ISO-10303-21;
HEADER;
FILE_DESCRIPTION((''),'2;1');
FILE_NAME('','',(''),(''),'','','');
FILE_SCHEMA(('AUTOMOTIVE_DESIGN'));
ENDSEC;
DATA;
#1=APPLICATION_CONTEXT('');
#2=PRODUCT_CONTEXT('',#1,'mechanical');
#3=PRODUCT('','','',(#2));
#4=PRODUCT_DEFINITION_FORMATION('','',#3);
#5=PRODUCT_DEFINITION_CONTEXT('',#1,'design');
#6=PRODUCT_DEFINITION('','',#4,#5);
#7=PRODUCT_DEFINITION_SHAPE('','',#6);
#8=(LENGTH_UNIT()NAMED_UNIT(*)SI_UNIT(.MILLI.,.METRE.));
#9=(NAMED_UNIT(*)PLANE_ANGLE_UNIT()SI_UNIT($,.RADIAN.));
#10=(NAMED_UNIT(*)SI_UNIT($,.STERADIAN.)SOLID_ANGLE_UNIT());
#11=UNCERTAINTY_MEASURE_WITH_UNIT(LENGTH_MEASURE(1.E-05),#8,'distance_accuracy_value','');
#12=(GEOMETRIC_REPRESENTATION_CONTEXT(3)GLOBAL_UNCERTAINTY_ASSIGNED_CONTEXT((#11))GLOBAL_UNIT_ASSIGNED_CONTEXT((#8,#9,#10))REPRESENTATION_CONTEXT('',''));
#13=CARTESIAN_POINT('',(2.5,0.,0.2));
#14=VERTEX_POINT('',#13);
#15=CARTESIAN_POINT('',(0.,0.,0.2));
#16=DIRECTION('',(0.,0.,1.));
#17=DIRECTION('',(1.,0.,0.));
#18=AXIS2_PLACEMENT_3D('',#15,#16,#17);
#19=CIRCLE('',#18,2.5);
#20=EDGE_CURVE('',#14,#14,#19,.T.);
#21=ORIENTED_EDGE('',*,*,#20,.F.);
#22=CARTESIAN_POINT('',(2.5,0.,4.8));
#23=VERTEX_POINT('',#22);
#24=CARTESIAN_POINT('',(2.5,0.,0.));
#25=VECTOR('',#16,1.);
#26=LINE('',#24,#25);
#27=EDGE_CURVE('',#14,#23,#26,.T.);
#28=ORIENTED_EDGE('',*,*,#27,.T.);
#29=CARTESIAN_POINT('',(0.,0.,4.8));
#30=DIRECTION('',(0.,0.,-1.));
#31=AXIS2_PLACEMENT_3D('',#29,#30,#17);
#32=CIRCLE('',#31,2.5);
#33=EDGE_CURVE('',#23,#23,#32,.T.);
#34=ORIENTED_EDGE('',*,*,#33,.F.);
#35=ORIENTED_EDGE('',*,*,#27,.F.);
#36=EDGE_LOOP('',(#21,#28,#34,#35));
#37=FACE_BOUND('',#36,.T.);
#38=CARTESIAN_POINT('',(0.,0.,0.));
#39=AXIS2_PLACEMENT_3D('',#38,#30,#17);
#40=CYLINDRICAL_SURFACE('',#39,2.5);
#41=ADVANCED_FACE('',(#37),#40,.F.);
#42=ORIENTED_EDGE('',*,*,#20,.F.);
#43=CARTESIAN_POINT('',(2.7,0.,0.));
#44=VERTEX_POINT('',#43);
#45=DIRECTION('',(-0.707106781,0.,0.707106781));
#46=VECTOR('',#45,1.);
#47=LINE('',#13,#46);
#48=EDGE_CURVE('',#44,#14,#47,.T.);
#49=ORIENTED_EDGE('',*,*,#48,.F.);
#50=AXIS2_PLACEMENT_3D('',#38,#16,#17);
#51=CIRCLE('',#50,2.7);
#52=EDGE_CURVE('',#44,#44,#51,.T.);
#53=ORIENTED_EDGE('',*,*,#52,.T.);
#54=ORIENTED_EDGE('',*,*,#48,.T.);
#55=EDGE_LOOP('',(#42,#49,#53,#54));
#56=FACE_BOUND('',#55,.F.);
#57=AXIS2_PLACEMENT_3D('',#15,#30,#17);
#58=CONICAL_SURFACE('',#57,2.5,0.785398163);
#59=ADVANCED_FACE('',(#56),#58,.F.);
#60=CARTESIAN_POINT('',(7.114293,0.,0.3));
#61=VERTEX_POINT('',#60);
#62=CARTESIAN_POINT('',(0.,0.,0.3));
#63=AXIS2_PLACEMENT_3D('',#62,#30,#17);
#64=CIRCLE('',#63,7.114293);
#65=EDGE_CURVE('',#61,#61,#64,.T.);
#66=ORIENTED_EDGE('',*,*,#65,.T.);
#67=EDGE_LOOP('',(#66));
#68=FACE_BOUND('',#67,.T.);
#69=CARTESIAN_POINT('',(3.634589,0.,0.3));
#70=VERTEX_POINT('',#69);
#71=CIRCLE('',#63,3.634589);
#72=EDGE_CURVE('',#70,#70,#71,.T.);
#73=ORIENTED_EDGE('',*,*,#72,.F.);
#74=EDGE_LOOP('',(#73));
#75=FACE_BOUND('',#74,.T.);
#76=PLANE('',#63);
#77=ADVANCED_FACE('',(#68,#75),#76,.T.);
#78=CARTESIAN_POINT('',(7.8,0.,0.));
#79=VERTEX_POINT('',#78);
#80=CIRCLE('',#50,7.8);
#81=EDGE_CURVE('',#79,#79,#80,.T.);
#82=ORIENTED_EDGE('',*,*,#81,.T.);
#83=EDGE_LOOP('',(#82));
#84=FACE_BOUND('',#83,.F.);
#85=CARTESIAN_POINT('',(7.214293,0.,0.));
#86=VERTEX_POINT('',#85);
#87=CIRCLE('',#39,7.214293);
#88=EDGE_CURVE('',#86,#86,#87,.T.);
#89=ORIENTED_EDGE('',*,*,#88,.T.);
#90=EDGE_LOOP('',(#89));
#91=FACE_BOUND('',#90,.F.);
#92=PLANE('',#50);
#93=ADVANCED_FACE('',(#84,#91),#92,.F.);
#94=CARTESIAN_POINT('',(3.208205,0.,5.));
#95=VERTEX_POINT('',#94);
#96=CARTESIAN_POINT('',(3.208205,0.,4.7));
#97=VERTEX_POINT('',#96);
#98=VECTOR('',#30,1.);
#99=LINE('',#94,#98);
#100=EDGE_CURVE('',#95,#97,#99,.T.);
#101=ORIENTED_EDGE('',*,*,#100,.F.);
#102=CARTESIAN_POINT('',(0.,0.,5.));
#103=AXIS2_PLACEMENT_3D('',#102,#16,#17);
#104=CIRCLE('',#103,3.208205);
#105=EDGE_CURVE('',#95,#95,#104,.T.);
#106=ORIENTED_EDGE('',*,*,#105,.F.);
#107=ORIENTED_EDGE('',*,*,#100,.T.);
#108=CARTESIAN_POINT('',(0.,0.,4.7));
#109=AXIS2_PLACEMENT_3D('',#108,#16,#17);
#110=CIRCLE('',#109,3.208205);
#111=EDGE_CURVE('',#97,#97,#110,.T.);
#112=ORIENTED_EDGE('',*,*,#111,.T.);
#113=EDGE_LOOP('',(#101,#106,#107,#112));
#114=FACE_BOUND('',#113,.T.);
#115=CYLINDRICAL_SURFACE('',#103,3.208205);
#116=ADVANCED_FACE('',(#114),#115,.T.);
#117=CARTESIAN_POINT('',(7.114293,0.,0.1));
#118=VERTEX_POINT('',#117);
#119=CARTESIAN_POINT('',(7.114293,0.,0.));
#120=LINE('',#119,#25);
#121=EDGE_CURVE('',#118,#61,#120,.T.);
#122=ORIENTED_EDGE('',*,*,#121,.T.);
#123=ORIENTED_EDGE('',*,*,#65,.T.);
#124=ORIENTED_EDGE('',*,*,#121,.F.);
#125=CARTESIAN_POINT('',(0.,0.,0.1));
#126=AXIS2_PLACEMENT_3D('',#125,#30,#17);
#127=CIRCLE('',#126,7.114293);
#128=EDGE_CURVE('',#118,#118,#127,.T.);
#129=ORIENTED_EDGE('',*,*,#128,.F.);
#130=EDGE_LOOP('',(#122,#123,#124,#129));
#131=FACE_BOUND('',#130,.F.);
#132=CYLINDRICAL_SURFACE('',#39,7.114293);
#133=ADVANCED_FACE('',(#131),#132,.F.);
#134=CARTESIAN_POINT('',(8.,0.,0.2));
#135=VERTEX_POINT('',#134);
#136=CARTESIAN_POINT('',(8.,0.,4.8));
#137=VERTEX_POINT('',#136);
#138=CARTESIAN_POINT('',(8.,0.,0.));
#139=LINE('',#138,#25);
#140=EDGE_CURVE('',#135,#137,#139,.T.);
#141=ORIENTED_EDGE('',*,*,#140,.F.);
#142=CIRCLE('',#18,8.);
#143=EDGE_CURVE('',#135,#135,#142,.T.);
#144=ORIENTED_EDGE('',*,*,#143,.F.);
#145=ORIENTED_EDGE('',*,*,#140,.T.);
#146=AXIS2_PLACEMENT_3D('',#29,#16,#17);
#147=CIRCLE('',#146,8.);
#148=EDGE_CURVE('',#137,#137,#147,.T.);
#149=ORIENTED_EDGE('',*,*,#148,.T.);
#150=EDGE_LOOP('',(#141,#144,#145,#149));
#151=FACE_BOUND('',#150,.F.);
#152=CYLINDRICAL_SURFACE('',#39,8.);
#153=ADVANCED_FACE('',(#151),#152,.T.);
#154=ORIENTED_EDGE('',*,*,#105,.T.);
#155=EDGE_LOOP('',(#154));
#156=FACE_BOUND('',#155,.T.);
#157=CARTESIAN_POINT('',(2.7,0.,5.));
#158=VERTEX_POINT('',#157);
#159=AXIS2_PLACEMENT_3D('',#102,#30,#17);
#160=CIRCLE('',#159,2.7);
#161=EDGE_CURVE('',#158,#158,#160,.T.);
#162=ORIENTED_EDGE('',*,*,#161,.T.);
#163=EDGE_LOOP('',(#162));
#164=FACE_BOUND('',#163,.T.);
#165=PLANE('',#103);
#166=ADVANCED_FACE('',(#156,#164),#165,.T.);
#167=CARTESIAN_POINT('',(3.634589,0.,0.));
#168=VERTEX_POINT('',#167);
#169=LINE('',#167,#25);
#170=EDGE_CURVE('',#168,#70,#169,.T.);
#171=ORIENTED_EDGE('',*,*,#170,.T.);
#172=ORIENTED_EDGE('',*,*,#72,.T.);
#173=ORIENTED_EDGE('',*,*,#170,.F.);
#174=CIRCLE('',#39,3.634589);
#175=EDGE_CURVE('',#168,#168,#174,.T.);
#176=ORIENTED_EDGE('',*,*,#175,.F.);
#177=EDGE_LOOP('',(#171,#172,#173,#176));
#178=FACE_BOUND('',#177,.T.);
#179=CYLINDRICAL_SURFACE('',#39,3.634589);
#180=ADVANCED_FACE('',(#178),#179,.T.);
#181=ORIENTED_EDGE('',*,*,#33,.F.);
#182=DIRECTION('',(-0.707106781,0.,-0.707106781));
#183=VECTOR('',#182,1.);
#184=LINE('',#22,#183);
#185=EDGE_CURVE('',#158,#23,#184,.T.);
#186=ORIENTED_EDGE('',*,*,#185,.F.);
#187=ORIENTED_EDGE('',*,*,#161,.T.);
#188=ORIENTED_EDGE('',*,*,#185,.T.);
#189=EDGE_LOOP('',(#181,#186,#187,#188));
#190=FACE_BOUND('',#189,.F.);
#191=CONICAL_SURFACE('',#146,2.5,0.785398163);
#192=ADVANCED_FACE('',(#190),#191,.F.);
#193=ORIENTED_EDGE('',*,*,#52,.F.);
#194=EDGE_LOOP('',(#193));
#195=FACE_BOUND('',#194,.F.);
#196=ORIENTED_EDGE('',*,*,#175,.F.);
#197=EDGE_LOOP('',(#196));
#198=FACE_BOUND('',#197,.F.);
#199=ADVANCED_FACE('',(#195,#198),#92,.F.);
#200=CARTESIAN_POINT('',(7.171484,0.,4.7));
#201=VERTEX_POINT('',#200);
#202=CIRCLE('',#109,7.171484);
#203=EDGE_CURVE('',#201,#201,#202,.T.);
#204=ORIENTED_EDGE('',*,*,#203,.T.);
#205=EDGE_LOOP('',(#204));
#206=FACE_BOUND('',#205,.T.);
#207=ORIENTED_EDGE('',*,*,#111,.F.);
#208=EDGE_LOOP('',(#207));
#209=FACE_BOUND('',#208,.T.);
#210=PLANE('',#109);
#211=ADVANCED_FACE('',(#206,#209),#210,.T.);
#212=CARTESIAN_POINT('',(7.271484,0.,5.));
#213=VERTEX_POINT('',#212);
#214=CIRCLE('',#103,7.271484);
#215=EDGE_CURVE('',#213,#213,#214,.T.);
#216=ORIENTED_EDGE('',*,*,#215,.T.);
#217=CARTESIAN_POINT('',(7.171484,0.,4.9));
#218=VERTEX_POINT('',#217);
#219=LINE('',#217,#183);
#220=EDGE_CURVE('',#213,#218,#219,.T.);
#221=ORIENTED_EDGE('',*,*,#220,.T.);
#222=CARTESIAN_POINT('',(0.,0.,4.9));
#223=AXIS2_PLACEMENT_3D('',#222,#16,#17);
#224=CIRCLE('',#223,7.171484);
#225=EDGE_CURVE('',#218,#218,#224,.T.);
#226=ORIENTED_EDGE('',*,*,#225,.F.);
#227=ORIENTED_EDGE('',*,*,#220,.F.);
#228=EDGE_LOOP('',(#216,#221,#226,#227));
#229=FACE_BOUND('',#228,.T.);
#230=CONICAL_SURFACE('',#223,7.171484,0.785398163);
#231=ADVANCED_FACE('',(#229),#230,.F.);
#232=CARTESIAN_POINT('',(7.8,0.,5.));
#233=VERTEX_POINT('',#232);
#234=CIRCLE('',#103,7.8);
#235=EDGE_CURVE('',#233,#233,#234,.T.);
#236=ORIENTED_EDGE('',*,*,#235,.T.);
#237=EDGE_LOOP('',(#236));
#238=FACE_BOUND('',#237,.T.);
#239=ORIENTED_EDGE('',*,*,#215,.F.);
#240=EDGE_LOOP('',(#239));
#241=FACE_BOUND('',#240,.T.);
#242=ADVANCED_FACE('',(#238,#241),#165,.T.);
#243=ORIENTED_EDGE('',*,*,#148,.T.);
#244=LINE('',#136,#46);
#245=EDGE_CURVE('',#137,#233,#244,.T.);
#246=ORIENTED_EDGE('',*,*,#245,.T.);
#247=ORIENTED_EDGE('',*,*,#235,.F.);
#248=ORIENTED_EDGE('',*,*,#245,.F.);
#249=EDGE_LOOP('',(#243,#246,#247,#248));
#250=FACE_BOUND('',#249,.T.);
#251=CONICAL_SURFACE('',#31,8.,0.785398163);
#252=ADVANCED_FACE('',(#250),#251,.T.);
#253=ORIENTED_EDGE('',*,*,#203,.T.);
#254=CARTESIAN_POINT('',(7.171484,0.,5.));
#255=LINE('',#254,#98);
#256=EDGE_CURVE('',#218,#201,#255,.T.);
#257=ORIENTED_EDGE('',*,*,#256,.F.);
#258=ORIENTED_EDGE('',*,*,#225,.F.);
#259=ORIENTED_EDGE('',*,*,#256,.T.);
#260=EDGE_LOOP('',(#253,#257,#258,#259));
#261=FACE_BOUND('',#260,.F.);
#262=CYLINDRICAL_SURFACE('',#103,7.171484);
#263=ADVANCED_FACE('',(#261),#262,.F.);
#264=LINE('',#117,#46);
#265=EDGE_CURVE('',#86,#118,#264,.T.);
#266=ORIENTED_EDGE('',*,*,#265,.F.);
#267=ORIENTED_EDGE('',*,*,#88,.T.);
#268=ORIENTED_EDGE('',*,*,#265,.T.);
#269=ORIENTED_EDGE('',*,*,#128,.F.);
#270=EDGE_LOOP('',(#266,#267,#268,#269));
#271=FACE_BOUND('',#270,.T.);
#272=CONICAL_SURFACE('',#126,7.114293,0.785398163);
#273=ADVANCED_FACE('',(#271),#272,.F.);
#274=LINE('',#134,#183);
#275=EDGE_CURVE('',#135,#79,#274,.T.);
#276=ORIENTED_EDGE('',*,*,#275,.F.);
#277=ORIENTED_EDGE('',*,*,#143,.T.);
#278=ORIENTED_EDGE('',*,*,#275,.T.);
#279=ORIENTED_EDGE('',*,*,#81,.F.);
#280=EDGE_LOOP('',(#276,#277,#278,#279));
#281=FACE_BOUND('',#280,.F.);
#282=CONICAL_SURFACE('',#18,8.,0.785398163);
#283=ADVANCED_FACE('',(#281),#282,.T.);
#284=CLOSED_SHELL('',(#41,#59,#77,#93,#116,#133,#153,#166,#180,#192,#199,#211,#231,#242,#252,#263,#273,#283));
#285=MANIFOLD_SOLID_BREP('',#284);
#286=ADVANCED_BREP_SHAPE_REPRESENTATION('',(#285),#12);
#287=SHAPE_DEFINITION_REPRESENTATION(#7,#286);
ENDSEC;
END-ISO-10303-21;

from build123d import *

# Parameters (mm, degrees)
CYLINDER_R        = 8
CYLINDER_DEPTH    = 5
CYLINDER001_R     = 2.5
CYLINDER001_DEPTH = 10
CHAMFER_SIZE      = 0.2
SKETCH_R          = 7.171484
SKETCH_R_2        = 3.208205
POCKET_DEPTH      = 0.3
SKETCH001_R       = 7.114293
SKETCH001_R_2     = 3.634589
POCKET001_DEPTH   = 0.3
CHAMFER001_SIZE   = 0.1


with BuildPart() as part:
    # Cylinder → Cylinder (join)
    with BuildSketch(Plane.XY):
        Circle(CYLINDER_R)
    extrude(amount=CYLINDER_DEPTH)

    # Cylinder001 → Cylinder001 (cut)
    with BuildSketch(Plane.XY):
        Circle(CYLINDER001_R)
    extrude(amount=CYLINDER001_DEPTH, mode=Mode.SUBTRACT)

    # Chamfer
    chamfer_edges = [part.edges().sort_by_distance(p)[0] for p in [
        (-8, 0, 5),
        (-8, 0, 0),
        (-2.5, 0, 5),
        (-2.5, 0, 0),
    ]]
    chamfer(chamfer_edges, length=CHAMFER_SIZE)

    # Sketch (on Face5 of Chamfer) → Pocket (cut)
    with BuildSketch(Plane.XY.offset(5)):
        Circle(SKETCH_R)
        Circle(SKETCH_R_2, mode=Mode.SUBTRACT)
    extrude(amount=-POCKET_DEPTH, mode=Mode.SUBTRACT)

    # Sketch001 (on Face4 of Pocket) → Pocket001 (cut)
    with BuildSketch(Plane(origin=(0, 0, 0), x_dir=(1, 0, 0), z_dir=(0, 0, -1))):
        Circle(SKETCH001_R)
        Circle(SKETCH001_R_2, mode=Mode.SUBTRACT)
    extrude(amount=-POCKET001_DEPTH, mode=Mode.SUBTRACT)

    # Chamfer001
    chamfer001_edges = [part.edges().sort_by_distance(p)[0] for p in [
        (-7.171484, 0, 5),
        (-7.114293, 0, 0),
    ]]
    chamfer(chamfer001_edges, length=CHAMFER001_SIZE)


solid = part.part
